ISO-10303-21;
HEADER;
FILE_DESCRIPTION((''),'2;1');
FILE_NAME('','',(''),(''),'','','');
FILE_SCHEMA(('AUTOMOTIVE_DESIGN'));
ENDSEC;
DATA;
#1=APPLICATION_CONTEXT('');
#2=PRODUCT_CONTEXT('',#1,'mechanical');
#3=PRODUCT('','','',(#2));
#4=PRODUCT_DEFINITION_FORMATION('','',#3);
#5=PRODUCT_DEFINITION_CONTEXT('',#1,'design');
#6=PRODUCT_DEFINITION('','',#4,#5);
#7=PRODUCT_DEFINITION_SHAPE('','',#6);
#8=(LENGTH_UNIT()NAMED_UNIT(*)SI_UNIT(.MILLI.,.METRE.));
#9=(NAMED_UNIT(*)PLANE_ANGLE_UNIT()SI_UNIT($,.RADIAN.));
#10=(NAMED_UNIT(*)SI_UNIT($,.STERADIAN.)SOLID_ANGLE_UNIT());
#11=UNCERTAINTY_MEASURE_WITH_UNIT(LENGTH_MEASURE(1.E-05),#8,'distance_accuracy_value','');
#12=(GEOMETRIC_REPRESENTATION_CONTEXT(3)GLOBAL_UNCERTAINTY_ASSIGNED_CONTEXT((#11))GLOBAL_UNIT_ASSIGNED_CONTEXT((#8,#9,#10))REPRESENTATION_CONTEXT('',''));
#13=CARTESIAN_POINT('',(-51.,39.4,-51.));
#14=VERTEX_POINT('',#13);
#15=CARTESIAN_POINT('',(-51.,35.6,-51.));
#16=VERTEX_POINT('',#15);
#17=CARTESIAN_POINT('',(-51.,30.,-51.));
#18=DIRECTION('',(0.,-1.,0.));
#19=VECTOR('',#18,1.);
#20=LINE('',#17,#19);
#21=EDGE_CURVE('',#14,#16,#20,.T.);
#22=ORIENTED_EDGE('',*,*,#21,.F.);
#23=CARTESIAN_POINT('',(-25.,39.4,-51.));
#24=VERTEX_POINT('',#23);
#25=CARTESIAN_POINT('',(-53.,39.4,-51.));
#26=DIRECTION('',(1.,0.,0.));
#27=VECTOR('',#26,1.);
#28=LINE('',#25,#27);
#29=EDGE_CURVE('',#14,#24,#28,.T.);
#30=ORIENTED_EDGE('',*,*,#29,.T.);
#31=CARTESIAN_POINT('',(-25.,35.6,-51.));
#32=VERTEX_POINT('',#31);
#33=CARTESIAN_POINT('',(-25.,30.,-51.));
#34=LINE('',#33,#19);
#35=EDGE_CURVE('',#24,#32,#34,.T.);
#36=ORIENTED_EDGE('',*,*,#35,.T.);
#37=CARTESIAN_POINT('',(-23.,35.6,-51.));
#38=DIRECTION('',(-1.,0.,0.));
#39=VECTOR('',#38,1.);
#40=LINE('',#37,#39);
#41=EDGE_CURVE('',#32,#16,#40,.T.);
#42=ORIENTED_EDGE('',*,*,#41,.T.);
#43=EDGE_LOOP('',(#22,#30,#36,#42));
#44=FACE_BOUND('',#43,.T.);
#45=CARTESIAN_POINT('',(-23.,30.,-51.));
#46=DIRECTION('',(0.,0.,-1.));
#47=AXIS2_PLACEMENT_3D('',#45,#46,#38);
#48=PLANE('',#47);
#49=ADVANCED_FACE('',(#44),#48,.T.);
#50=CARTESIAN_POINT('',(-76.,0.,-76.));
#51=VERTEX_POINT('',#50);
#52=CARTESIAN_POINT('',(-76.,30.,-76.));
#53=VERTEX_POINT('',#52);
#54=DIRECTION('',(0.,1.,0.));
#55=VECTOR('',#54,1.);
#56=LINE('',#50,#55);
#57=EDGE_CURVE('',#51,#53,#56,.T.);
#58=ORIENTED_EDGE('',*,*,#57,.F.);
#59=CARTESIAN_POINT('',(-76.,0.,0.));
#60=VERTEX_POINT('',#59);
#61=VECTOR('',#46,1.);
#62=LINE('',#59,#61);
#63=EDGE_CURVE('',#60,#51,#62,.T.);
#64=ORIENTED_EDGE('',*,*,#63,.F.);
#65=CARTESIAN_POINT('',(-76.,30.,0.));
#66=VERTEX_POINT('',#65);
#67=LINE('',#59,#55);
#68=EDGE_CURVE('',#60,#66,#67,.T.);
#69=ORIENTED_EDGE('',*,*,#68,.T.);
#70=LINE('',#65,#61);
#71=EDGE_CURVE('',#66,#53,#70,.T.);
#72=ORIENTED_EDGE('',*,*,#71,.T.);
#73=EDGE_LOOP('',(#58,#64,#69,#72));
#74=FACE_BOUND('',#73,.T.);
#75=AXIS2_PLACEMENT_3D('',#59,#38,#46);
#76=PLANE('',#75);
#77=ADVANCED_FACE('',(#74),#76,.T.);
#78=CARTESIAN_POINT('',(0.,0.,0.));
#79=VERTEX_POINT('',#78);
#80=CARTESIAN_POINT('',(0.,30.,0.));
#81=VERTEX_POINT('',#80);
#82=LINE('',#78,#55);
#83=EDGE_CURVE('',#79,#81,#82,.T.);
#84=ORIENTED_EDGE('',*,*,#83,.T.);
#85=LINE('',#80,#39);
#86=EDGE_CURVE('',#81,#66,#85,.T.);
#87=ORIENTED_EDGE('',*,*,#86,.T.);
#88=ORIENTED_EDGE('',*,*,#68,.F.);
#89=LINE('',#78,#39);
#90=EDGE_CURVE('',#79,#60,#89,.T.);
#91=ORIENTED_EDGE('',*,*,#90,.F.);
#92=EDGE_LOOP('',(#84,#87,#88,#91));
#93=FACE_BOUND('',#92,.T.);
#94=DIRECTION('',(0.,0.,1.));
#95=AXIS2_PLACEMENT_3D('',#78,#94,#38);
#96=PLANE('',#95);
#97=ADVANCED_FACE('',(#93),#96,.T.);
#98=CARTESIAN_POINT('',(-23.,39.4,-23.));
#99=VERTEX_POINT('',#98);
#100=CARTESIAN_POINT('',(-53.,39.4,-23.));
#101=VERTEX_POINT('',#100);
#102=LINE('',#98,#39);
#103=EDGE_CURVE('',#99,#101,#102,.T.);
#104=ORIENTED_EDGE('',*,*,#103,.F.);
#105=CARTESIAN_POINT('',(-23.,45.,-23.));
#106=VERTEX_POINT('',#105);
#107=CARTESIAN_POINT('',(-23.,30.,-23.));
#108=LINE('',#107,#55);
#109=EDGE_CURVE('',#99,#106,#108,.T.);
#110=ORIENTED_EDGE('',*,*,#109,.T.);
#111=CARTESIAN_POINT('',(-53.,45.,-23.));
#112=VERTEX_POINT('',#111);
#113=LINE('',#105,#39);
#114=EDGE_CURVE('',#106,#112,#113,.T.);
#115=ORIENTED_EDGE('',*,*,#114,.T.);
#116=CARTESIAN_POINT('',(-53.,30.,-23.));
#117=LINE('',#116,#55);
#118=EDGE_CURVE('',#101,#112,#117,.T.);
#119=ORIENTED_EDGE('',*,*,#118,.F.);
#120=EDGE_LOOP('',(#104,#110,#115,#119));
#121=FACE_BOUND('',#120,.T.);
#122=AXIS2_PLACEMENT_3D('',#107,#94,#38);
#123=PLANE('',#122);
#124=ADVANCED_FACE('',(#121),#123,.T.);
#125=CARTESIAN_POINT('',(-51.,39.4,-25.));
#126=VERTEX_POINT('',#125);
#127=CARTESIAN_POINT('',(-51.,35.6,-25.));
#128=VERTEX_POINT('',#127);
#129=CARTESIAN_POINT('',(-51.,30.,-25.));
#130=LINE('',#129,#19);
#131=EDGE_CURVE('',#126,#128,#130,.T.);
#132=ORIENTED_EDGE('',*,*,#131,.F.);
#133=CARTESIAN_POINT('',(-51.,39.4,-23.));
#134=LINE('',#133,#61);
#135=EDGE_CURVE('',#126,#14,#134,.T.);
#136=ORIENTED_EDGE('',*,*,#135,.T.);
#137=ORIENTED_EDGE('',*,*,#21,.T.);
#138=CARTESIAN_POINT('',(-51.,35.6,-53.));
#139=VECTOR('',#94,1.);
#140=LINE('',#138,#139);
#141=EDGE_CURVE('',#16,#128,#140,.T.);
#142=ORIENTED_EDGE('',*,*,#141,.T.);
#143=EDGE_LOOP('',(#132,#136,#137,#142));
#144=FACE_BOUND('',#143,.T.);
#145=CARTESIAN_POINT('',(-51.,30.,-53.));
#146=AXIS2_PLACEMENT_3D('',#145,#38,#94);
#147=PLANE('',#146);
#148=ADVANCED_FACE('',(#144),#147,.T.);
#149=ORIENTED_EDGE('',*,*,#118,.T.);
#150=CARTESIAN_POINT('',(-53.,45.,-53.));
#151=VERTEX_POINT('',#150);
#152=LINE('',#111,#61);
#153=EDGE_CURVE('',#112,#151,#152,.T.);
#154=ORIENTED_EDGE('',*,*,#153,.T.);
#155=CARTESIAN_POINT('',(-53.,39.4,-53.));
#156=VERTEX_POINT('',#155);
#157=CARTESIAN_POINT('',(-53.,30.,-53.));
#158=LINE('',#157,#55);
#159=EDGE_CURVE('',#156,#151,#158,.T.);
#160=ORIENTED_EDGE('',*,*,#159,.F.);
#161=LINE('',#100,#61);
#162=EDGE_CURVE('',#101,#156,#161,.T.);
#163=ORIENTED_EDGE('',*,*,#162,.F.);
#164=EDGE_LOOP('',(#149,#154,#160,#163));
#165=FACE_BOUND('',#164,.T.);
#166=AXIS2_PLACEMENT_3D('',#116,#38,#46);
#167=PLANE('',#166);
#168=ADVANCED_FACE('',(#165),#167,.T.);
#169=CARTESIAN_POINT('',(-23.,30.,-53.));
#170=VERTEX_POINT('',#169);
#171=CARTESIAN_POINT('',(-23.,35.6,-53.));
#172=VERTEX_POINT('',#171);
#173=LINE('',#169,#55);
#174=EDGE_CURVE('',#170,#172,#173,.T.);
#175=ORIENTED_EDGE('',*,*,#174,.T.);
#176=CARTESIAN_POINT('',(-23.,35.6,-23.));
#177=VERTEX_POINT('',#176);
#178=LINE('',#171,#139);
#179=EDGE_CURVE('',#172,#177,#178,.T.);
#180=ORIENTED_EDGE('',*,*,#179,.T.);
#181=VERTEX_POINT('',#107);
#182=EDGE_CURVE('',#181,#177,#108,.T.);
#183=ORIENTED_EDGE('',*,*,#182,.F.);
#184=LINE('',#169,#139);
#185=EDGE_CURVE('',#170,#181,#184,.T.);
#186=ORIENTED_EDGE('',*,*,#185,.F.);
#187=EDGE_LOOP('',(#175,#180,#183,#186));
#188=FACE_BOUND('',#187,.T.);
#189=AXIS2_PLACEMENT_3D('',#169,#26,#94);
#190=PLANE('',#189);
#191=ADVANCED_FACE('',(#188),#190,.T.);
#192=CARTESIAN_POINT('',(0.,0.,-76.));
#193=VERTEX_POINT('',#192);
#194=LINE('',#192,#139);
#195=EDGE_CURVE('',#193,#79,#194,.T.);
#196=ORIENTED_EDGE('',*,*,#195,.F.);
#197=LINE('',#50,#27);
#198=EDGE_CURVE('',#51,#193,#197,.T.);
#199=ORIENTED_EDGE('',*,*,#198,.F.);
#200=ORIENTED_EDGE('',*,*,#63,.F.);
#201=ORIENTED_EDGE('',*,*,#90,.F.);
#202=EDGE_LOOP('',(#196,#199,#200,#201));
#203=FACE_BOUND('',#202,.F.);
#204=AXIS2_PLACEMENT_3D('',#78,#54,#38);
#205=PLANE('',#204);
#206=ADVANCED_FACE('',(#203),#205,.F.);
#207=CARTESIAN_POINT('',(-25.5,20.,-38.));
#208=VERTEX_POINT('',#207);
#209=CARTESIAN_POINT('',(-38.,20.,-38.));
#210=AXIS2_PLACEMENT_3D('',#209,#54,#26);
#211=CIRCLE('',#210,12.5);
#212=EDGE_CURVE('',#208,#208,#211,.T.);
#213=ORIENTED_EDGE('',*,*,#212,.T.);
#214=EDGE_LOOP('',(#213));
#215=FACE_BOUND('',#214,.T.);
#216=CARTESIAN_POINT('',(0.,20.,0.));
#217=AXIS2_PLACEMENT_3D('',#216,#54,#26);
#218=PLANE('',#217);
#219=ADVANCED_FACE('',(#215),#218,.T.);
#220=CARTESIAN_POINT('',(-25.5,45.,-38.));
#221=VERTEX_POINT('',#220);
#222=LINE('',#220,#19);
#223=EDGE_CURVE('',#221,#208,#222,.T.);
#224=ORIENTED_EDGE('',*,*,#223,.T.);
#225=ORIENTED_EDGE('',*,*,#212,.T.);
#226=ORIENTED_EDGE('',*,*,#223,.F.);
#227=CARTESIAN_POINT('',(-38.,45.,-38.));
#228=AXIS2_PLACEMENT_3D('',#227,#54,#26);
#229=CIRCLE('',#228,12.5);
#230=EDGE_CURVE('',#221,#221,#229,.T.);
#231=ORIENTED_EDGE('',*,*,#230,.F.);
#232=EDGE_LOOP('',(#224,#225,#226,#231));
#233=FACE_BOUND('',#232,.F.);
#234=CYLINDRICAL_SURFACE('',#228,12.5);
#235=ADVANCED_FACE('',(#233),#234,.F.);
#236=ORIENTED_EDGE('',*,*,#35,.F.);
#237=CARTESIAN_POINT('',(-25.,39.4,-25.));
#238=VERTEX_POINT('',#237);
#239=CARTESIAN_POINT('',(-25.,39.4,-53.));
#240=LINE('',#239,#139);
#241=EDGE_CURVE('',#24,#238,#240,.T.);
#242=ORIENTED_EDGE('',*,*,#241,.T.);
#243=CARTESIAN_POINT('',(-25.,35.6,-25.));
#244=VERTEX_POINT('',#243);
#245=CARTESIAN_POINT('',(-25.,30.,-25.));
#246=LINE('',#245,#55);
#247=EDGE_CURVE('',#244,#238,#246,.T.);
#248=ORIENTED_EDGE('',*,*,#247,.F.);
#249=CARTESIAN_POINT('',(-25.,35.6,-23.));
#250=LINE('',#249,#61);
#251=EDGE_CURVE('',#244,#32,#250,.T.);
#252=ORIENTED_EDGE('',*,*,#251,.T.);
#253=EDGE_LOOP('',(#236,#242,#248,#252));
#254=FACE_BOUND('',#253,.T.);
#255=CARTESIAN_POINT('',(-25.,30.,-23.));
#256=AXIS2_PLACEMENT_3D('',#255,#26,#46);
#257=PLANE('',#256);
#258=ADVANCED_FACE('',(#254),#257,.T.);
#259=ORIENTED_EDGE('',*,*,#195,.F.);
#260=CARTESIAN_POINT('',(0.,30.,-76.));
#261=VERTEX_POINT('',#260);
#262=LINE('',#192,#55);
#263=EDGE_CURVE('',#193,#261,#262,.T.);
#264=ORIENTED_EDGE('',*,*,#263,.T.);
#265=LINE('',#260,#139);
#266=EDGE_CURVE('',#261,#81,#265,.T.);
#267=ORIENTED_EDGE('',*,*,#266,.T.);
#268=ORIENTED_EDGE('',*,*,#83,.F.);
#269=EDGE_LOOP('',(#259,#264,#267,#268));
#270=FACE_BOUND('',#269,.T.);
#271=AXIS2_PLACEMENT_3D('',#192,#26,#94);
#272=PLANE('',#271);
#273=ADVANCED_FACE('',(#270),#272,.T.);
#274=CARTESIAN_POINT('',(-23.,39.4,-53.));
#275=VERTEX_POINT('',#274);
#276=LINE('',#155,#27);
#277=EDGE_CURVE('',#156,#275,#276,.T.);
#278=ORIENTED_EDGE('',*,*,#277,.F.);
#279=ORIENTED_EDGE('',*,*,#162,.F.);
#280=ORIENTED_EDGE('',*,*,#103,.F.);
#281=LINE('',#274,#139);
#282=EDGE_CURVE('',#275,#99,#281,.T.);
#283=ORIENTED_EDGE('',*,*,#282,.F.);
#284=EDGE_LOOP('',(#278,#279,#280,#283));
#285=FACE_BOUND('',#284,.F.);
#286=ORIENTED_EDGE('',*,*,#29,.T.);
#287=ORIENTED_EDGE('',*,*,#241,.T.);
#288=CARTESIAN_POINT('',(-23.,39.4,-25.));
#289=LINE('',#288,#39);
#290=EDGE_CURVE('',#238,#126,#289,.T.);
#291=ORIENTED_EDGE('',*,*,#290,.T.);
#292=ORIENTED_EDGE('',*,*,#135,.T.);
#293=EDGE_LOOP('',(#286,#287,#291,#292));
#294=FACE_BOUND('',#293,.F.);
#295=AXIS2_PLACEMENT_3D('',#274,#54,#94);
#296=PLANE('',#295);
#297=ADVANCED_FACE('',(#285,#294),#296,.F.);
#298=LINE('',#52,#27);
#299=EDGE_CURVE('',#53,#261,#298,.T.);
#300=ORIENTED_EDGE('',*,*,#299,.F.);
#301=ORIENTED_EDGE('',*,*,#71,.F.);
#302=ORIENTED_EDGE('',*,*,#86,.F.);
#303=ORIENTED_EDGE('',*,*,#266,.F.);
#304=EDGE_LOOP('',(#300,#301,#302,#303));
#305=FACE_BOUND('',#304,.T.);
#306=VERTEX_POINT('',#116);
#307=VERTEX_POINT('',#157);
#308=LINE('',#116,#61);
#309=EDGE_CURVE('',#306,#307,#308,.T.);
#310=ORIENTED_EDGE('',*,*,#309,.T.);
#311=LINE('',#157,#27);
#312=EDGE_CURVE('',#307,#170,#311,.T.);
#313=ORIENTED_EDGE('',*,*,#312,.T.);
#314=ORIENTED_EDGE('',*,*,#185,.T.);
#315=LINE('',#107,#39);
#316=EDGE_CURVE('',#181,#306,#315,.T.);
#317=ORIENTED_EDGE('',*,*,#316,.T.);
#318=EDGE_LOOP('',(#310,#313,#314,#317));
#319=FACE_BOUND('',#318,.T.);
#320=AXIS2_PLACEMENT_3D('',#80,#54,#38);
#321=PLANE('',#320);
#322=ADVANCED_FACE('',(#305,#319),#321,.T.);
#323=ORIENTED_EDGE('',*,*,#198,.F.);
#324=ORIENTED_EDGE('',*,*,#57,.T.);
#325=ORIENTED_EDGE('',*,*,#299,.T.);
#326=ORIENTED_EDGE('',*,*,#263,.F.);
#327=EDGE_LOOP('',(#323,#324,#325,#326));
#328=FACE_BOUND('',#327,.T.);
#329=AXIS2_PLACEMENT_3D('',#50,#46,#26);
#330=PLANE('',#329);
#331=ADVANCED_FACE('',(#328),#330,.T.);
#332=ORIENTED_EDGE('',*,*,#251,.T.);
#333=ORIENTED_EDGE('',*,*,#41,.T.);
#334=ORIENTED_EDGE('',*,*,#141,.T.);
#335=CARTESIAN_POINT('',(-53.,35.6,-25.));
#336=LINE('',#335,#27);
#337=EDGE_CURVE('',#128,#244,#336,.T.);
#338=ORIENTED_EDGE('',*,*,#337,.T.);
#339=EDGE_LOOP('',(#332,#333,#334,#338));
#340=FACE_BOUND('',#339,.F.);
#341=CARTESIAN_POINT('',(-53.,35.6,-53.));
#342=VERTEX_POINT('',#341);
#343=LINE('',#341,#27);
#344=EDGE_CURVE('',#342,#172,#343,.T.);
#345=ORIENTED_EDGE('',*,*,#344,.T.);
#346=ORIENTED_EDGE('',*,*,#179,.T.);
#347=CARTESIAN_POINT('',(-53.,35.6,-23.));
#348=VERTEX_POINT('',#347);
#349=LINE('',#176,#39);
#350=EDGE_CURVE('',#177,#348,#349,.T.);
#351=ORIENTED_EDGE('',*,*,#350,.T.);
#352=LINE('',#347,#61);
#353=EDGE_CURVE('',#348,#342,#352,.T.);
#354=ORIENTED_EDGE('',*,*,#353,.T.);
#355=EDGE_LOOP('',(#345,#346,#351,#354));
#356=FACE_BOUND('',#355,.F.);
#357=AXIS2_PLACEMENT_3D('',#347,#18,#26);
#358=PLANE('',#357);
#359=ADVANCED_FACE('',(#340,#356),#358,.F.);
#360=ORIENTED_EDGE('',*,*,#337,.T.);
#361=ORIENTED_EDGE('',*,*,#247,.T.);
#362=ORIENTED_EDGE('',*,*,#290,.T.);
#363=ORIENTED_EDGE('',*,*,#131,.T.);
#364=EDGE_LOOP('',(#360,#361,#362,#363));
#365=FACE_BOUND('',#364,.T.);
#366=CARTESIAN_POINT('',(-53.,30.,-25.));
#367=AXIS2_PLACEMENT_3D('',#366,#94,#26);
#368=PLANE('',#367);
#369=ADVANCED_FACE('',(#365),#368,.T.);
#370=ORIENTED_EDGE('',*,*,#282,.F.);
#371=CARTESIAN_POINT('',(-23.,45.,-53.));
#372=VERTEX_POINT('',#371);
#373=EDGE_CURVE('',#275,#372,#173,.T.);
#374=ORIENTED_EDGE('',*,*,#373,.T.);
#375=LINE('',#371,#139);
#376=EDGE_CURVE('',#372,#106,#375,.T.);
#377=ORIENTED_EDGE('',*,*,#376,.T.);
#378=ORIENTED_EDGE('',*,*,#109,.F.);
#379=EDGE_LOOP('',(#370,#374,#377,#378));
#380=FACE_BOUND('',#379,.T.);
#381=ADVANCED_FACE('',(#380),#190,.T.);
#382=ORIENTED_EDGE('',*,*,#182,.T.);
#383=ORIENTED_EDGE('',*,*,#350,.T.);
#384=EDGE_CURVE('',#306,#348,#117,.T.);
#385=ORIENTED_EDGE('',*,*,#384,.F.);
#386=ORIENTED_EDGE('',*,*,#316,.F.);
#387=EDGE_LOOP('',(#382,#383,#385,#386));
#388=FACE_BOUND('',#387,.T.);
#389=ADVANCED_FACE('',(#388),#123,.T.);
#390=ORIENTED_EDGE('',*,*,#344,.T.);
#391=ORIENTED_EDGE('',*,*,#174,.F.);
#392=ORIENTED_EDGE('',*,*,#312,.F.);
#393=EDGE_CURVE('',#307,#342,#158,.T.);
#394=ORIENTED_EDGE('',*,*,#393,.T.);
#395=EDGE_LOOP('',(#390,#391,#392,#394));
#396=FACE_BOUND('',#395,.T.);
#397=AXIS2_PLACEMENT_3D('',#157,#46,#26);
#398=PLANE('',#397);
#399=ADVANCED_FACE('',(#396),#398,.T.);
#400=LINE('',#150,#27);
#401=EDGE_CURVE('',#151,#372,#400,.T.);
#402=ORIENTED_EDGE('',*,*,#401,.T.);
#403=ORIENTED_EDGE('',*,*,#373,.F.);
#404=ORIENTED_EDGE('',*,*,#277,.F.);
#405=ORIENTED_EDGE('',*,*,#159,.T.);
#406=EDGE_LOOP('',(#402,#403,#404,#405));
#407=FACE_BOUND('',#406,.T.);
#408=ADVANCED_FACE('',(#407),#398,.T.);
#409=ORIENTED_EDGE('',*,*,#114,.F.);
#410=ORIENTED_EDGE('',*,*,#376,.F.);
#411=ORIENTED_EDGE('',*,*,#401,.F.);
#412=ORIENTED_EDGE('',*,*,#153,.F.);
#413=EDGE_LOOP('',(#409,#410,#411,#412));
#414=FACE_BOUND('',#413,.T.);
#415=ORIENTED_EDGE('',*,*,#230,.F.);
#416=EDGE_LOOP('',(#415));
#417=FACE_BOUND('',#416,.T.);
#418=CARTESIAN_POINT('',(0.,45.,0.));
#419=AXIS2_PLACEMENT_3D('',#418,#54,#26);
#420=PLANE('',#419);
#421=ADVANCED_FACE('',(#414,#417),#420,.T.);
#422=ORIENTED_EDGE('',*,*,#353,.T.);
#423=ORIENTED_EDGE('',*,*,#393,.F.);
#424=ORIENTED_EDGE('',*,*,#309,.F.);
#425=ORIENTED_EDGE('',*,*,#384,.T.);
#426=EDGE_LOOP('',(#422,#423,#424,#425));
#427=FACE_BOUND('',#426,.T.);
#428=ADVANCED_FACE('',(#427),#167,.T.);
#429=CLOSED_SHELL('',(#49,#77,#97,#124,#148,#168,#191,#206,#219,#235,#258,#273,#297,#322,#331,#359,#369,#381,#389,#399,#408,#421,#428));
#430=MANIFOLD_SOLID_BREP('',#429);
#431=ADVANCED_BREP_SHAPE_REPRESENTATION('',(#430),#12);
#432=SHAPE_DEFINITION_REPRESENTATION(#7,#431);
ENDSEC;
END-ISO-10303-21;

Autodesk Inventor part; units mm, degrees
ref_plane "YZ Plane" through (0, 0, 0) normal (1, 0, 0) x (0, 1, 0)
ref_plane "XZ Plane" through (0, 0, 0) normal (0, 1, 0) x (-1, 0, 0)
ref_plane "XY Plane" through (0, 0, 0) normal (0, 0, 1) x (1, 0, 0)
sketch "Sketch2" plane through (0, 0, 0) normal (0, 1, 0) x (-1, 0, 0)
  point P0 (0, 0)
sketch "Sketch3" plane through (0, 0, 0) normal (0, 1, 0) x (-1, 0, 0)
  line L0 (0, 0) -> (76, 0)
  line L1 (76, 0) -> (76, -76)
  line L2 (76, -76) -> (0, -76)
  line L3 (0, -76) -> (0, 0)
  dimension "d1" = 76
  dimension "d2" = 76
extrude "Extrusion1" add sketch "Sketch3" along normal blind 30
sketch "Sketch4" plane through (0, 30, 0) normal (0, 1, 0) x (1, 0, 0)
  line L0 (-76, 0) -> (0, 0) projected
  line L1 (0, 0) -> (0, 76) projected
  line L2 (-23, 23) -> (-53, 23)
  line L3 (-53, 23) -> (-53, 53)
  line L4 (-53, 53) -> (-23, 53)
  line L5 (-23, 53) -> (-23, 23)
  point P0 (-38, 38)
  dimension "d5" = 30
  dimension "d6" = 30
extrude "Extrusion2" add sketch "Sketch4" along normal blind 15
sketch "Sketch5" plane through (-23, 30, -23) normal (1, 0, 0) x (0, 0, -1)
  line L0 (0, 0) -> (0, 15) projected
  line L1 (30, 0) -> (30, 15) projected
  line L2 (0, 5.6) -> (30, 5.6)
  line L3 (30, 5.6) -> (30, 9.4)
  line L4 (30, 9.4) -> (0, 9.4)
  line L5 (0, 9.4) -> (0, 5.6)
  point P0 (-23, -30)
  point P1 (15, 7.5)
  dimension "d9" = 3.8
sketch "Sketch6" plane through (-23, 30, -53) normal (0, 0, -1) x (-1, 0, 0)
  line L0 (0, 0) -> (0, 15) projected
  line L1 (30, 0) -> (30, 15) projected
  line L2 (0, 5.6) -> (30, 5.6)
  line L3 (30, 5.6) -> (30, 9.4)
  line L4 (30, 9.4) -> (0, 9.4)
  line L5 (0, 9.4) -> (0, 5.6)
  point P0 (-23, -30)
  point P1 (15, 7.5)
  dimension "d10" = 3.8
sketch "Sketch7" plane through (-53, 30, -53) normal (-1, 0, 0) x (0, 0, 1)
  line L0 (0, 0) -> (0, 15) projected
  line L1 (30, 0) -> (30, 15) projected
  line L2 (0, 5.6) -> (30, 5.6)
  line L3 (30, 5.6) -> (30, 9.4)
  line L4 (30, 9.4) -> (0, 9.4)
  line L5 (0, 9.4) -> (0, 5.6)
  point P0 (53, -30)
  point P1 (15, 7.5)
  dimension "d11" = 3.8
sketch "Sketch8" plane through (-53, 30, -23) normal (0, 0, 1) x (1, 0, 0)
  line L0 (0, 0) -> (0, 15) projected
  line L1 (30, 0) -> (30, 15) projected
  line L2 (0, 5.6) -> (30, 5.6)
  line L3 (30, 5.6) -> (30, 9.4)
  line L4 (30, 9.4) -> (0, 9.4)
  line L5 (0, 9.4) -> (0, 5.6)
  point P0 (53, -30)
  point P1 (15, 7.5)
  dimension "d12" = 3.8
extrude "Extrusion3" cut sketch "Sketch8" against normal blind 2
extrude "Extrusion4" cut sketch "Sketch7" against normal blind 2
extrude "Extrusion5" cut sketch "Sketch6" against normal blind 2
extrude "Extrusion6" cut sketch "Sketch5" against normal blind 2
sketch "Sketch9" plane through (0, 45, 0) normal (0, 1, 0) x (1, 0, 0)
  line L0 (-23, 53) -> (-53, 53) projected
  line L1 (-53, 23) -> (-23, 23) projected
  circle A0 centre (-38, 38) radius 12.5
  point P0 (0, 0)
  dimension "d21" = 25
extrude "Extrusion7" cut sketch "Sketch9" against normal blind 25
properties part number "Hydraulic cylinder part 1"
